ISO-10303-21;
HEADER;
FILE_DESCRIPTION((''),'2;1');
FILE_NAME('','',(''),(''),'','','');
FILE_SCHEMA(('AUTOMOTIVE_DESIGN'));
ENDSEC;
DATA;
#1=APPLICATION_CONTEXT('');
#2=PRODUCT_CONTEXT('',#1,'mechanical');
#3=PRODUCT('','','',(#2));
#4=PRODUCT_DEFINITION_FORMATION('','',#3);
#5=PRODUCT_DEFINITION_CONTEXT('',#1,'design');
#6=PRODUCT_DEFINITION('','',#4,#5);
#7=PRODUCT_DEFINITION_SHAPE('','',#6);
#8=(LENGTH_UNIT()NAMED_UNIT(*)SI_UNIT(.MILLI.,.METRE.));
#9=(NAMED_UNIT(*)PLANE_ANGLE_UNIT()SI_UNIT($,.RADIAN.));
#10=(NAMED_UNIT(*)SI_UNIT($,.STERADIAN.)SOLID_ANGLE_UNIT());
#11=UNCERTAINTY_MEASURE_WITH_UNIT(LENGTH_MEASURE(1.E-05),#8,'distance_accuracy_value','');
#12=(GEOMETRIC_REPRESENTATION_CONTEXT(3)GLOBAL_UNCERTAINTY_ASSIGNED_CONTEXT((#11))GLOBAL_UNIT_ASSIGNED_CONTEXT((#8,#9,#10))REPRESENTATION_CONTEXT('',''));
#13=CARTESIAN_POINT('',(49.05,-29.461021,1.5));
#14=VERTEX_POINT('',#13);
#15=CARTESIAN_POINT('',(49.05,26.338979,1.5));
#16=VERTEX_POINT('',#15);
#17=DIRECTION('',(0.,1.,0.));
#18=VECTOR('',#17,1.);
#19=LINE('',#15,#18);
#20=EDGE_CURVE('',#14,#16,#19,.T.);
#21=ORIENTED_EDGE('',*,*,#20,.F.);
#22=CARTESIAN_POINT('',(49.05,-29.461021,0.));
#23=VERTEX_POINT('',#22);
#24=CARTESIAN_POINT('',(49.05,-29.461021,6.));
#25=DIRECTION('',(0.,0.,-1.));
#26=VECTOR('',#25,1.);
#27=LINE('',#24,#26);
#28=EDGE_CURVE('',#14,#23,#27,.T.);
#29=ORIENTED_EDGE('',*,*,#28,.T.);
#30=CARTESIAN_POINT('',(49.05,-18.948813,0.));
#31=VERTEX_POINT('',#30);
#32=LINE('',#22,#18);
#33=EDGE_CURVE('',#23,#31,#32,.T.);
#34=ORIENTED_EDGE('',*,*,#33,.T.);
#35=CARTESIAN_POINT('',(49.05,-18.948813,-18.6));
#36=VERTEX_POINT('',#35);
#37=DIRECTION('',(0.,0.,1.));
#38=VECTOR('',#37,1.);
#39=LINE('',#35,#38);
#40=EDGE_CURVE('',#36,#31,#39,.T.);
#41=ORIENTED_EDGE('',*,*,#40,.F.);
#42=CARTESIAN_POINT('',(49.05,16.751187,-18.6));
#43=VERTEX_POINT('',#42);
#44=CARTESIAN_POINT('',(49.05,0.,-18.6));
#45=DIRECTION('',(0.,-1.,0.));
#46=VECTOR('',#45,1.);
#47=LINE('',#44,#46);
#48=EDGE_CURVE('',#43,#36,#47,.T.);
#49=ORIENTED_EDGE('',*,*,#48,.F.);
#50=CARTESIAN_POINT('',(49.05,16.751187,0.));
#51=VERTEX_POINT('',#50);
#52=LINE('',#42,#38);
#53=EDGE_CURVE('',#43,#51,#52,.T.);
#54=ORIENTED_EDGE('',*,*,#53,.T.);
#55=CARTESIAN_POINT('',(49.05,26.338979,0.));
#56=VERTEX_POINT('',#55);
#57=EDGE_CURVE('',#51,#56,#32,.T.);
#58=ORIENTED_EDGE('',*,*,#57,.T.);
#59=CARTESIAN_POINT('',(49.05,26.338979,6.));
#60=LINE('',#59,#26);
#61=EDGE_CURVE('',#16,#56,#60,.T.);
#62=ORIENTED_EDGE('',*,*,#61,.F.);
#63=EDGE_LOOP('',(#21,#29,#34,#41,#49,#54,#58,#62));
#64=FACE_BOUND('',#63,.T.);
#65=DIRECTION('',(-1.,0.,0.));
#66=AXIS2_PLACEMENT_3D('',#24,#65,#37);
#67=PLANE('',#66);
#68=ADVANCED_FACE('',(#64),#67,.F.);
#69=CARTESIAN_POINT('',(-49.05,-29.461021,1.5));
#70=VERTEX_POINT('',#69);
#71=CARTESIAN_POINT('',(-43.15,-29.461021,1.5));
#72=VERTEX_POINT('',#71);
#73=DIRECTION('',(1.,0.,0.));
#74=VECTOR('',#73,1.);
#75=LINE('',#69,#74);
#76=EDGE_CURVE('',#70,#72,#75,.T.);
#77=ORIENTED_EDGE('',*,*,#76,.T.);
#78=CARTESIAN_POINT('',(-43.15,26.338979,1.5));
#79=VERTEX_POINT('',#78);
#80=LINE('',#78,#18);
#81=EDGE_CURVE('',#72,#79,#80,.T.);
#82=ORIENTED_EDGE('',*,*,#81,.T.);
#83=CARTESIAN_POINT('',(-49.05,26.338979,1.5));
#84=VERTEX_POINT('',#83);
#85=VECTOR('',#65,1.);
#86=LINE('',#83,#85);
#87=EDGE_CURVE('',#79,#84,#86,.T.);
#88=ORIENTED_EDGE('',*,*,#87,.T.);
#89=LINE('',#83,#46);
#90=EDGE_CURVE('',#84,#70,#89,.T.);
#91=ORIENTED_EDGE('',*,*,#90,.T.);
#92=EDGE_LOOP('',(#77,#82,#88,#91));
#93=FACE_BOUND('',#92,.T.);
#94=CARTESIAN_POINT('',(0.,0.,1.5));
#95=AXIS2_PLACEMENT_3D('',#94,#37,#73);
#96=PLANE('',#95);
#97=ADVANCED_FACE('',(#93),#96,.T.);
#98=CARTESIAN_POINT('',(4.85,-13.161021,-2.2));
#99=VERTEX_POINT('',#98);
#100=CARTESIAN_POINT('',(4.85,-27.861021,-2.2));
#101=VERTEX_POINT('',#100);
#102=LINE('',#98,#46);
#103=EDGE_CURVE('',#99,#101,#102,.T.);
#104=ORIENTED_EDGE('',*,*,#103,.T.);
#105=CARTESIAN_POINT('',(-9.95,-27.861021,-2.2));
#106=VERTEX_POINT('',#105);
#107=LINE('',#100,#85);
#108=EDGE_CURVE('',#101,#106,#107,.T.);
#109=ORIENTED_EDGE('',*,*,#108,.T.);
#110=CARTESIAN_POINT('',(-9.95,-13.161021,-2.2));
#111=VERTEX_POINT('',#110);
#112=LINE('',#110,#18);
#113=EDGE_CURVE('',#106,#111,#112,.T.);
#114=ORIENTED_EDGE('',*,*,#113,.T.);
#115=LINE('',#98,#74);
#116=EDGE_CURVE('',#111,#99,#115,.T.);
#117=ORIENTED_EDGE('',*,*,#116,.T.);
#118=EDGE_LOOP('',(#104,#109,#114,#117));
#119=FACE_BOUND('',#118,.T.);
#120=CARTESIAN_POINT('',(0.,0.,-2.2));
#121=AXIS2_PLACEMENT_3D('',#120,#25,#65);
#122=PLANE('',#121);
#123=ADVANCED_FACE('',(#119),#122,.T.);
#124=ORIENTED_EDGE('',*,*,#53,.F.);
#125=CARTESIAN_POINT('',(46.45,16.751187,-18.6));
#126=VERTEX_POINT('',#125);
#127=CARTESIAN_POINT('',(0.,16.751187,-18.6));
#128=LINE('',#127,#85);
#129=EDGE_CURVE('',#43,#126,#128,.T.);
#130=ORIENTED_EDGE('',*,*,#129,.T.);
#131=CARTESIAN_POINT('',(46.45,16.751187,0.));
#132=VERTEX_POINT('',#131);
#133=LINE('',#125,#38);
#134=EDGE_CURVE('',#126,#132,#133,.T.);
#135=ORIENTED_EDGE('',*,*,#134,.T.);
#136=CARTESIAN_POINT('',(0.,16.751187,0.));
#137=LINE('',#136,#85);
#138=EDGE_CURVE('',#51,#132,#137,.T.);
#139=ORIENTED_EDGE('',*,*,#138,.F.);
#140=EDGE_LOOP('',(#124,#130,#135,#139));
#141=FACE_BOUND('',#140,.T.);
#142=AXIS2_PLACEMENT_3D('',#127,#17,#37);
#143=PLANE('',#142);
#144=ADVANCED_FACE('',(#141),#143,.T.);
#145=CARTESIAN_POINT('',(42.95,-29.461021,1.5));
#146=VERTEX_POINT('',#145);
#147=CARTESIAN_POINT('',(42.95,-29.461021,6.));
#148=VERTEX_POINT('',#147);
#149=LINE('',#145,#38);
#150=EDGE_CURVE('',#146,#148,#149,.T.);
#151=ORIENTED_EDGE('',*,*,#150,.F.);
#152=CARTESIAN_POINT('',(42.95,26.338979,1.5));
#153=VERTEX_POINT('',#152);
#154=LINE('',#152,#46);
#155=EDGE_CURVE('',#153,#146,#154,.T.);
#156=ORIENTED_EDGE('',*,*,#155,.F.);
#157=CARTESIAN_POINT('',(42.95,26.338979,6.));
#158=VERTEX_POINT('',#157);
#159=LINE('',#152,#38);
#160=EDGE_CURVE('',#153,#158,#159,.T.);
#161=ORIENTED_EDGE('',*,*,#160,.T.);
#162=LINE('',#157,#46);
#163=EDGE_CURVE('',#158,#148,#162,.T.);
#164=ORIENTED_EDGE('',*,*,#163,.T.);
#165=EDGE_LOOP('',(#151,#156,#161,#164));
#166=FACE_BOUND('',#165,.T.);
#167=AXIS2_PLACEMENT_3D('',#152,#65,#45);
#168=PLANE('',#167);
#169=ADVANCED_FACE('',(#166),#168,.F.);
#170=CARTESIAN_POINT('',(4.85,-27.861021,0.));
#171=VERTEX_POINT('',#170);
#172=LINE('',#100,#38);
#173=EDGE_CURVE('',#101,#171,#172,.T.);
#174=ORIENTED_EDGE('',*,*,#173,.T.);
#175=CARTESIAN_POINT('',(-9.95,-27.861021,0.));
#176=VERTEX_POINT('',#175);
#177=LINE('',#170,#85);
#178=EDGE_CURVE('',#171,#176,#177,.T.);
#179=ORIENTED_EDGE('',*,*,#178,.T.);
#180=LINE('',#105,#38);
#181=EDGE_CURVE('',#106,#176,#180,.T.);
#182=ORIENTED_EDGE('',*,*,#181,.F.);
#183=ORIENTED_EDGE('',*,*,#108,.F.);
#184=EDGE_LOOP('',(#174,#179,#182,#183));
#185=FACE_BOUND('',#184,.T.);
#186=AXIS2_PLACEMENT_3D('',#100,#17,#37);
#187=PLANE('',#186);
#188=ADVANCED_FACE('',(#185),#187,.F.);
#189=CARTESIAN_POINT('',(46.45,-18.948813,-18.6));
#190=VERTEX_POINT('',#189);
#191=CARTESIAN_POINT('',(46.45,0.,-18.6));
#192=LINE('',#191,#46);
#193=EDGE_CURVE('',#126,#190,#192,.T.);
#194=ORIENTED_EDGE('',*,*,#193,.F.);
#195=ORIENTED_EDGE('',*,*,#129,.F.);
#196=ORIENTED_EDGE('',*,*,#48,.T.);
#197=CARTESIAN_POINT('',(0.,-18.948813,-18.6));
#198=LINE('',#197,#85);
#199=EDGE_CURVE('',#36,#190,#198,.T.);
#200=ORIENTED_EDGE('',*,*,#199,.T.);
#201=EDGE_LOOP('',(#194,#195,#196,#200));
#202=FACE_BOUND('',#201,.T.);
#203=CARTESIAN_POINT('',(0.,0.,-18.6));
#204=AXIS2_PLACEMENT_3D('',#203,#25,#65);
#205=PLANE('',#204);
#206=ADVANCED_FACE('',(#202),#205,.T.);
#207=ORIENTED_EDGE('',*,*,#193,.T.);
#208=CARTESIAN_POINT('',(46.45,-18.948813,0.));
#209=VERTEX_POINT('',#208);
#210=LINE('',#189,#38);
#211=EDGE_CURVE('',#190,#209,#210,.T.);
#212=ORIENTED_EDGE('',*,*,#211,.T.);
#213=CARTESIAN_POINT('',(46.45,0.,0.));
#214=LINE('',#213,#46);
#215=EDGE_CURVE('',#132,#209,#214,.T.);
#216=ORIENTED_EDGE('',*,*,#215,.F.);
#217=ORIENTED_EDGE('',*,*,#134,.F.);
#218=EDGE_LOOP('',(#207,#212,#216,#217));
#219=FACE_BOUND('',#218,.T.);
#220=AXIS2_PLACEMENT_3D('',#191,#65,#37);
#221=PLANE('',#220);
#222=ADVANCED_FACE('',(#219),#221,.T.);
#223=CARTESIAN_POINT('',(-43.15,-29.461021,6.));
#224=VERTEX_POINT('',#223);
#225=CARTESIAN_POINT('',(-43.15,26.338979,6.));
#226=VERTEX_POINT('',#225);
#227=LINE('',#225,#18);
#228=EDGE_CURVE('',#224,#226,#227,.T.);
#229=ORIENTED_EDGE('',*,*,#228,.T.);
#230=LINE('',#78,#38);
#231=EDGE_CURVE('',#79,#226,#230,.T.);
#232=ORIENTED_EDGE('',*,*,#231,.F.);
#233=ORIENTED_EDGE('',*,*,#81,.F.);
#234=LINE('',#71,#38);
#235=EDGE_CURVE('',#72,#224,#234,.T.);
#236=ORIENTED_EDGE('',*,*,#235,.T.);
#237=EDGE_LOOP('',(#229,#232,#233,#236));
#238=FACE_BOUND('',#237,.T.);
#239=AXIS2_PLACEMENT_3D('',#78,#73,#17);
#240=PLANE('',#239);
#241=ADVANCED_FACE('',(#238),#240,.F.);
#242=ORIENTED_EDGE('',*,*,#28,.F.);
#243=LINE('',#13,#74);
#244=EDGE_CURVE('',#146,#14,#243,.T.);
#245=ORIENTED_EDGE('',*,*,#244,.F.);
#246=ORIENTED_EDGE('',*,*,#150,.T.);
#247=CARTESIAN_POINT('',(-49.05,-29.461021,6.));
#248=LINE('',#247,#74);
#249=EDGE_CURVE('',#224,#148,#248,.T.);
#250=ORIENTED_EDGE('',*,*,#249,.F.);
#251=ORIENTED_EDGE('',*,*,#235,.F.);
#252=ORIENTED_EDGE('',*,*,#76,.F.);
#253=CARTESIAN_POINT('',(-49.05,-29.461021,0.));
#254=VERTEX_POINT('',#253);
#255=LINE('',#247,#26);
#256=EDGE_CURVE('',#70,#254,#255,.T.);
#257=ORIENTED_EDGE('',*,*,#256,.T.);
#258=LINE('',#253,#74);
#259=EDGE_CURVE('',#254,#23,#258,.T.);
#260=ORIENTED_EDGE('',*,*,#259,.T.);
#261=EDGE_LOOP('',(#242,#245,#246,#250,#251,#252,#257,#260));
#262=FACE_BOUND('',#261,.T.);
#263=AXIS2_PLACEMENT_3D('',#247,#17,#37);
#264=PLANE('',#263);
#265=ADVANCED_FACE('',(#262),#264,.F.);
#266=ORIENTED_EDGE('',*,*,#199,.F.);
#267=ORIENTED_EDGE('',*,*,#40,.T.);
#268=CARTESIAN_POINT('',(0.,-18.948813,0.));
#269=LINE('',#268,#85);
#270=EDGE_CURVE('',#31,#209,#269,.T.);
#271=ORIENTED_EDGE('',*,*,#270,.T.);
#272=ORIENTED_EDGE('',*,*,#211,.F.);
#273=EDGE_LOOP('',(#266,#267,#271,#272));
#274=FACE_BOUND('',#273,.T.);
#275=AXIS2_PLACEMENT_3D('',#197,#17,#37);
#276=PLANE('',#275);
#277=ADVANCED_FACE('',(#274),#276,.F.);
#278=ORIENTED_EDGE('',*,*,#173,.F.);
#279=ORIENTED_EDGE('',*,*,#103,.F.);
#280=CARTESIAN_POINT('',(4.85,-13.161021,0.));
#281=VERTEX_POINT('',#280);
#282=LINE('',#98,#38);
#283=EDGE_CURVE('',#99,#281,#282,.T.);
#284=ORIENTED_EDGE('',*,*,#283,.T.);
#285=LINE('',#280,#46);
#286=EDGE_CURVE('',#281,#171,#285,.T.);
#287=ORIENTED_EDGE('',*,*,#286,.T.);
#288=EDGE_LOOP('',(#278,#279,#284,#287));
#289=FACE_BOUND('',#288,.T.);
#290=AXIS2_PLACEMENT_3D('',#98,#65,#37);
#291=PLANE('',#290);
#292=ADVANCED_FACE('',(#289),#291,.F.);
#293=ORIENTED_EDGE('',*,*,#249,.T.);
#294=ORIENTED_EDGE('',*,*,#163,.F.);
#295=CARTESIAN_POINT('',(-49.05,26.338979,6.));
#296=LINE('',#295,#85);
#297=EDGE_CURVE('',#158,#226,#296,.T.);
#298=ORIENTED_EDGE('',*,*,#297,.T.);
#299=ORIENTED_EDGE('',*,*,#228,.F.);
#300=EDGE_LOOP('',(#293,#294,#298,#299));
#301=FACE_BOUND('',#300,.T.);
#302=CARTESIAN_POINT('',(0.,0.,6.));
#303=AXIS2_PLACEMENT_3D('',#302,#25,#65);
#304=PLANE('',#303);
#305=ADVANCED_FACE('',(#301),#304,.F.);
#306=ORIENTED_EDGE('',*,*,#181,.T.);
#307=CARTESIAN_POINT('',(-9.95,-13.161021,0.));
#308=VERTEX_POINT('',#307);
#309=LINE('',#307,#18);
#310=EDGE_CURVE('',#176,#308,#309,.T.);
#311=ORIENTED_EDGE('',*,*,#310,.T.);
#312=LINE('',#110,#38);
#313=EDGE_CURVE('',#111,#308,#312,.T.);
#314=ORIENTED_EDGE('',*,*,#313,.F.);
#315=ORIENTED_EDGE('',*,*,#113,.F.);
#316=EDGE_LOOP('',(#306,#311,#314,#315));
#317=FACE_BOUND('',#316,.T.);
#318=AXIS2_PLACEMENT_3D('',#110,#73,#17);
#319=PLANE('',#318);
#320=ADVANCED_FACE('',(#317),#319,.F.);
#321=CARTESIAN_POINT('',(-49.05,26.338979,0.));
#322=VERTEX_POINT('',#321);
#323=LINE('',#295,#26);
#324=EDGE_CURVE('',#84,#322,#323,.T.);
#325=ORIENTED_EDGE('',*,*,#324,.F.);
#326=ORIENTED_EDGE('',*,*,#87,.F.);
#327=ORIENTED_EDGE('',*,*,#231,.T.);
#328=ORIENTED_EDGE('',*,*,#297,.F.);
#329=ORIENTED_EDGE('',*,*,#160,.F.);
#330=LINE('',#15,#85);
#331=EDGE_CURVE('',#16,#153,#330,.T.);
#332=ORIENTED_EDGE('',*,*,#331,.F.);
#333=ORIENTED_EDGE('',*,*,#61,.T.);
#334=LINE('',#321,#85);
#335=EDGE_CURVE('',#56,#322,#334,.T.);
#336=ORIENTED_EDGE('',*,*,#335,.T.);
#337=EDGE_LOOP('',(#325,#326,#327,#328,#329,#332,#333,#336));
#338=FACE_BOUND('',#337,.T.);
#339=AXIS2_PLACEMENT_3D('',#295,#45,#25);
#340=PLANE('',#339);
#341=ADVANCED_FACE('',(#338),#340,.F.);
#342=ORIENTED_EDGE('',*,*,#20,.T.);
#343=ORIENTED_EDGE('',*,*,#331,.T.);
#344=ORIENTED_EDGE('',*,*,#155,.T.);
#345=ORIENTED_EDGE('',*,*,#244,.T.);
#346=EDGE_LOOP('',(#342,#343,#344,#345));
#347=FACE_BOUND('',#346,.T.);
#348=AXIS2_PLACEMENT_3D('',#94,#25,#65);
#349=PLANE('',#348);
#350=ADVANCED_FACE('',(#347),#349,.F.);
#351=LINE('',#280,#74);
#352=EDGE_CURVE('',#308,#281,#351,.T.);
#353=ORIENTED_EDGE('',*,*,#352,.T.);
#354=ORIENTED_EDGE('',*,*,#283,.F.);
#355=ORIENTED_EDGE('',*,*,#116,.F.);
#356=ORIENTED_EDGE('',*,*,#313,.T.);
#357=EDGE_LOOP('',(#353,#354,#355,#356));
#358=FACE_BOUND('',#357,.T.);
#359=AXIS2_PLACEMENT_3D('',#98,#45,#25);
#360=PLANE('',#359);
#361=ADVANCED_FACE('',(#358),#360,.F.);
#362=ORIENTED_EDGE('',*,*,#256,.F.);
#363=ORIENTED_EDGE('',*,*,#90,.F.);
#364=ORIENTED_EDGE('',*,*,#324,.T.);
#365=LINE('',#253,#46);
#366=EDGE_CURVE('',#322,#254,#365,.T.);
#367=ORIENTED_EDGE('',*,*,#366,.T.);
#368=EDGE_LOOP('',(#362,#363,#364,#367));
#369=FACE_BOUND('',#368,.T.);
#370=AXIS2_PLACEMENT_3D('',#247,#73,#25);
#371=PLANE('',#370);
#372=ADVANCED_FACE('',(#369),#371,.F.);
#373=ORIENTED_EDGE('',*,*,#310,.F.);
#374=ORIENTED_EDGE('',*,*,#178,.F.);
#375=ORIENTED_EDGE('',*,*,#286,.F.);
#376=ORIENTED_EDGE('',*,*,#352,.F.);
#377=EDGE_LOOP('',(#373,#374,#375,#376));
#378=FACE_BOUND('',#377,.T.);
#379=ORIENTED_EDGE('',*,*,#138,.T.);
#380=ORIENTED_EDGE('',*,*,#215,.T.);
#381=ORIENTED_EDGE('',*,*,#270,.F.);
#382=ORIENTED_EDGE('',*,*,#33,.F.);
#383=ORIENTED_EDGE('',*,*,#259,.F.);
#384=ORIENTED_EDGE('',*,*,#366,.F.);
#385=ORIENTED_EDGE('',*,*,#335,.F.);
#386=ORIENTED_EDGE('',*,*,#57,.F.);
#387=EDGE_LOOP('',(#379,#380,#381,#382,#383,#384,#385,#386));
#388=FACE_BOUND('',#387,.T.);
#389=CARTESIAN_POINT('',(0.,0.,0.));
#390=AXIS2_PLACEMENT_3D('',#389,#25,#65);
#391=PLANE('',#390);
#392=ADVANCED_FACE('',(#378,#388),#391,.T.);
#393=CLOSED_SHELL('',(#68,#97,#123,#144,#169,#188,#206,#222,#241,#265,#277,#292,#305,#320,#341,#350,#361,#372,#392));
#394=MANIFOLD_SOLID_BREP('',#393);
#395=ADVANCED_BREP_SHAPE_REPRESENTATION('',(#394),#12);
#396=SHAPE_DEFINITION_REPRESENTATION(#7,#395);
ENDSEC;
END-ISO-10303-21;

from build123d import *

# Parameters (mm, degrees)
SKETCH1_W           = 98.1
SKETCH1_H           = 55.8
BOSS_EXTRUDE1_DEPTH = 6
SKETCH2_W           = 5.9
SKETCH2_H           = 55.8
SKETCH2_W_2         = 6.1
CUT_EXTRUDE1_DEPTH  = 4.5
SKETCH3_W           = 14.8
SKETCH3_H           = 14.7
BOSS_EXTRUDE4_DEPTH = 4.1
SKETCH4_W           = 2.6
SKETCH4_H           = 35.7
BOSS_EXTRUDE5_DEPTH = 18.6
SKETCH5_W           = 14.8
SKETCH5_H           = 14.7
BOSS_EXTRUDE6_DEPTH = 2.2


with BuildPart() as part:
    # Sketch1 → Boss-Extrude1 (new body)
    with BuildSketch(Plane.XY):
        with Locations((0, -1.56102071)):
            Rectangle(SKETCH1_W, SKETCH1_H)
    extrude(amount=BOSS_EXTRUDE1_DEPTH)

    # Sketch2 → Cut-Extrude1 (cut)
    with BuildSketch(Plane.XY.offset(6)):
        with Locations((-46.1, -1.56102071)):
            Rectangle(SKETCH2_W, SKETCH2_H)
        with Locations((46, -1.56102071)):
            Rectangle(SKETCH2_W_2, SKETCH2_H)
    extrude(amount=-CUT_EXTRUDE1_DEPTH, mode=Mode.SUBTRACT)

    # Sketch3 → Boss-Extrude4 (add)
    with BuildSketch(Plane.XY.offset(6)):
        with Locations((-1.877850501, -21.022317242)):
            Rectangle(SKETCH3_W, SKETCH3_H)
    extrude(amount=-BOSS_EXTRUDE4_DEPTH)

    # Sketch4 → Boss-Extrude5 (add)
    with BuildSketch(Plane(origin=(0, 0, 0), x_dir=(-1, 0, 0), z_dir=(0, 0, -1))):
        with Locations((-47.75, -1.098812698)):
            Rectangle(SKETCH4_W, SKETCH4_H)
    extrude(amount=BOSS_EXTRUDE5_DEPTH)

    # Sketch5 → Boss-Extrude6 (add)
    with BuildSketch(Plane(origin=(0, 0, 0), x_dir=(-1, 0, 0), z_dir=(0, 0, -1))):
        with Locations((2.55, -20.51102071)):
            Rectangle(SKETCH5_W, SKETCH5_H)
    extrude(amount=BOSS_EXTRUDE6_DEPTH)


solid = part.part
